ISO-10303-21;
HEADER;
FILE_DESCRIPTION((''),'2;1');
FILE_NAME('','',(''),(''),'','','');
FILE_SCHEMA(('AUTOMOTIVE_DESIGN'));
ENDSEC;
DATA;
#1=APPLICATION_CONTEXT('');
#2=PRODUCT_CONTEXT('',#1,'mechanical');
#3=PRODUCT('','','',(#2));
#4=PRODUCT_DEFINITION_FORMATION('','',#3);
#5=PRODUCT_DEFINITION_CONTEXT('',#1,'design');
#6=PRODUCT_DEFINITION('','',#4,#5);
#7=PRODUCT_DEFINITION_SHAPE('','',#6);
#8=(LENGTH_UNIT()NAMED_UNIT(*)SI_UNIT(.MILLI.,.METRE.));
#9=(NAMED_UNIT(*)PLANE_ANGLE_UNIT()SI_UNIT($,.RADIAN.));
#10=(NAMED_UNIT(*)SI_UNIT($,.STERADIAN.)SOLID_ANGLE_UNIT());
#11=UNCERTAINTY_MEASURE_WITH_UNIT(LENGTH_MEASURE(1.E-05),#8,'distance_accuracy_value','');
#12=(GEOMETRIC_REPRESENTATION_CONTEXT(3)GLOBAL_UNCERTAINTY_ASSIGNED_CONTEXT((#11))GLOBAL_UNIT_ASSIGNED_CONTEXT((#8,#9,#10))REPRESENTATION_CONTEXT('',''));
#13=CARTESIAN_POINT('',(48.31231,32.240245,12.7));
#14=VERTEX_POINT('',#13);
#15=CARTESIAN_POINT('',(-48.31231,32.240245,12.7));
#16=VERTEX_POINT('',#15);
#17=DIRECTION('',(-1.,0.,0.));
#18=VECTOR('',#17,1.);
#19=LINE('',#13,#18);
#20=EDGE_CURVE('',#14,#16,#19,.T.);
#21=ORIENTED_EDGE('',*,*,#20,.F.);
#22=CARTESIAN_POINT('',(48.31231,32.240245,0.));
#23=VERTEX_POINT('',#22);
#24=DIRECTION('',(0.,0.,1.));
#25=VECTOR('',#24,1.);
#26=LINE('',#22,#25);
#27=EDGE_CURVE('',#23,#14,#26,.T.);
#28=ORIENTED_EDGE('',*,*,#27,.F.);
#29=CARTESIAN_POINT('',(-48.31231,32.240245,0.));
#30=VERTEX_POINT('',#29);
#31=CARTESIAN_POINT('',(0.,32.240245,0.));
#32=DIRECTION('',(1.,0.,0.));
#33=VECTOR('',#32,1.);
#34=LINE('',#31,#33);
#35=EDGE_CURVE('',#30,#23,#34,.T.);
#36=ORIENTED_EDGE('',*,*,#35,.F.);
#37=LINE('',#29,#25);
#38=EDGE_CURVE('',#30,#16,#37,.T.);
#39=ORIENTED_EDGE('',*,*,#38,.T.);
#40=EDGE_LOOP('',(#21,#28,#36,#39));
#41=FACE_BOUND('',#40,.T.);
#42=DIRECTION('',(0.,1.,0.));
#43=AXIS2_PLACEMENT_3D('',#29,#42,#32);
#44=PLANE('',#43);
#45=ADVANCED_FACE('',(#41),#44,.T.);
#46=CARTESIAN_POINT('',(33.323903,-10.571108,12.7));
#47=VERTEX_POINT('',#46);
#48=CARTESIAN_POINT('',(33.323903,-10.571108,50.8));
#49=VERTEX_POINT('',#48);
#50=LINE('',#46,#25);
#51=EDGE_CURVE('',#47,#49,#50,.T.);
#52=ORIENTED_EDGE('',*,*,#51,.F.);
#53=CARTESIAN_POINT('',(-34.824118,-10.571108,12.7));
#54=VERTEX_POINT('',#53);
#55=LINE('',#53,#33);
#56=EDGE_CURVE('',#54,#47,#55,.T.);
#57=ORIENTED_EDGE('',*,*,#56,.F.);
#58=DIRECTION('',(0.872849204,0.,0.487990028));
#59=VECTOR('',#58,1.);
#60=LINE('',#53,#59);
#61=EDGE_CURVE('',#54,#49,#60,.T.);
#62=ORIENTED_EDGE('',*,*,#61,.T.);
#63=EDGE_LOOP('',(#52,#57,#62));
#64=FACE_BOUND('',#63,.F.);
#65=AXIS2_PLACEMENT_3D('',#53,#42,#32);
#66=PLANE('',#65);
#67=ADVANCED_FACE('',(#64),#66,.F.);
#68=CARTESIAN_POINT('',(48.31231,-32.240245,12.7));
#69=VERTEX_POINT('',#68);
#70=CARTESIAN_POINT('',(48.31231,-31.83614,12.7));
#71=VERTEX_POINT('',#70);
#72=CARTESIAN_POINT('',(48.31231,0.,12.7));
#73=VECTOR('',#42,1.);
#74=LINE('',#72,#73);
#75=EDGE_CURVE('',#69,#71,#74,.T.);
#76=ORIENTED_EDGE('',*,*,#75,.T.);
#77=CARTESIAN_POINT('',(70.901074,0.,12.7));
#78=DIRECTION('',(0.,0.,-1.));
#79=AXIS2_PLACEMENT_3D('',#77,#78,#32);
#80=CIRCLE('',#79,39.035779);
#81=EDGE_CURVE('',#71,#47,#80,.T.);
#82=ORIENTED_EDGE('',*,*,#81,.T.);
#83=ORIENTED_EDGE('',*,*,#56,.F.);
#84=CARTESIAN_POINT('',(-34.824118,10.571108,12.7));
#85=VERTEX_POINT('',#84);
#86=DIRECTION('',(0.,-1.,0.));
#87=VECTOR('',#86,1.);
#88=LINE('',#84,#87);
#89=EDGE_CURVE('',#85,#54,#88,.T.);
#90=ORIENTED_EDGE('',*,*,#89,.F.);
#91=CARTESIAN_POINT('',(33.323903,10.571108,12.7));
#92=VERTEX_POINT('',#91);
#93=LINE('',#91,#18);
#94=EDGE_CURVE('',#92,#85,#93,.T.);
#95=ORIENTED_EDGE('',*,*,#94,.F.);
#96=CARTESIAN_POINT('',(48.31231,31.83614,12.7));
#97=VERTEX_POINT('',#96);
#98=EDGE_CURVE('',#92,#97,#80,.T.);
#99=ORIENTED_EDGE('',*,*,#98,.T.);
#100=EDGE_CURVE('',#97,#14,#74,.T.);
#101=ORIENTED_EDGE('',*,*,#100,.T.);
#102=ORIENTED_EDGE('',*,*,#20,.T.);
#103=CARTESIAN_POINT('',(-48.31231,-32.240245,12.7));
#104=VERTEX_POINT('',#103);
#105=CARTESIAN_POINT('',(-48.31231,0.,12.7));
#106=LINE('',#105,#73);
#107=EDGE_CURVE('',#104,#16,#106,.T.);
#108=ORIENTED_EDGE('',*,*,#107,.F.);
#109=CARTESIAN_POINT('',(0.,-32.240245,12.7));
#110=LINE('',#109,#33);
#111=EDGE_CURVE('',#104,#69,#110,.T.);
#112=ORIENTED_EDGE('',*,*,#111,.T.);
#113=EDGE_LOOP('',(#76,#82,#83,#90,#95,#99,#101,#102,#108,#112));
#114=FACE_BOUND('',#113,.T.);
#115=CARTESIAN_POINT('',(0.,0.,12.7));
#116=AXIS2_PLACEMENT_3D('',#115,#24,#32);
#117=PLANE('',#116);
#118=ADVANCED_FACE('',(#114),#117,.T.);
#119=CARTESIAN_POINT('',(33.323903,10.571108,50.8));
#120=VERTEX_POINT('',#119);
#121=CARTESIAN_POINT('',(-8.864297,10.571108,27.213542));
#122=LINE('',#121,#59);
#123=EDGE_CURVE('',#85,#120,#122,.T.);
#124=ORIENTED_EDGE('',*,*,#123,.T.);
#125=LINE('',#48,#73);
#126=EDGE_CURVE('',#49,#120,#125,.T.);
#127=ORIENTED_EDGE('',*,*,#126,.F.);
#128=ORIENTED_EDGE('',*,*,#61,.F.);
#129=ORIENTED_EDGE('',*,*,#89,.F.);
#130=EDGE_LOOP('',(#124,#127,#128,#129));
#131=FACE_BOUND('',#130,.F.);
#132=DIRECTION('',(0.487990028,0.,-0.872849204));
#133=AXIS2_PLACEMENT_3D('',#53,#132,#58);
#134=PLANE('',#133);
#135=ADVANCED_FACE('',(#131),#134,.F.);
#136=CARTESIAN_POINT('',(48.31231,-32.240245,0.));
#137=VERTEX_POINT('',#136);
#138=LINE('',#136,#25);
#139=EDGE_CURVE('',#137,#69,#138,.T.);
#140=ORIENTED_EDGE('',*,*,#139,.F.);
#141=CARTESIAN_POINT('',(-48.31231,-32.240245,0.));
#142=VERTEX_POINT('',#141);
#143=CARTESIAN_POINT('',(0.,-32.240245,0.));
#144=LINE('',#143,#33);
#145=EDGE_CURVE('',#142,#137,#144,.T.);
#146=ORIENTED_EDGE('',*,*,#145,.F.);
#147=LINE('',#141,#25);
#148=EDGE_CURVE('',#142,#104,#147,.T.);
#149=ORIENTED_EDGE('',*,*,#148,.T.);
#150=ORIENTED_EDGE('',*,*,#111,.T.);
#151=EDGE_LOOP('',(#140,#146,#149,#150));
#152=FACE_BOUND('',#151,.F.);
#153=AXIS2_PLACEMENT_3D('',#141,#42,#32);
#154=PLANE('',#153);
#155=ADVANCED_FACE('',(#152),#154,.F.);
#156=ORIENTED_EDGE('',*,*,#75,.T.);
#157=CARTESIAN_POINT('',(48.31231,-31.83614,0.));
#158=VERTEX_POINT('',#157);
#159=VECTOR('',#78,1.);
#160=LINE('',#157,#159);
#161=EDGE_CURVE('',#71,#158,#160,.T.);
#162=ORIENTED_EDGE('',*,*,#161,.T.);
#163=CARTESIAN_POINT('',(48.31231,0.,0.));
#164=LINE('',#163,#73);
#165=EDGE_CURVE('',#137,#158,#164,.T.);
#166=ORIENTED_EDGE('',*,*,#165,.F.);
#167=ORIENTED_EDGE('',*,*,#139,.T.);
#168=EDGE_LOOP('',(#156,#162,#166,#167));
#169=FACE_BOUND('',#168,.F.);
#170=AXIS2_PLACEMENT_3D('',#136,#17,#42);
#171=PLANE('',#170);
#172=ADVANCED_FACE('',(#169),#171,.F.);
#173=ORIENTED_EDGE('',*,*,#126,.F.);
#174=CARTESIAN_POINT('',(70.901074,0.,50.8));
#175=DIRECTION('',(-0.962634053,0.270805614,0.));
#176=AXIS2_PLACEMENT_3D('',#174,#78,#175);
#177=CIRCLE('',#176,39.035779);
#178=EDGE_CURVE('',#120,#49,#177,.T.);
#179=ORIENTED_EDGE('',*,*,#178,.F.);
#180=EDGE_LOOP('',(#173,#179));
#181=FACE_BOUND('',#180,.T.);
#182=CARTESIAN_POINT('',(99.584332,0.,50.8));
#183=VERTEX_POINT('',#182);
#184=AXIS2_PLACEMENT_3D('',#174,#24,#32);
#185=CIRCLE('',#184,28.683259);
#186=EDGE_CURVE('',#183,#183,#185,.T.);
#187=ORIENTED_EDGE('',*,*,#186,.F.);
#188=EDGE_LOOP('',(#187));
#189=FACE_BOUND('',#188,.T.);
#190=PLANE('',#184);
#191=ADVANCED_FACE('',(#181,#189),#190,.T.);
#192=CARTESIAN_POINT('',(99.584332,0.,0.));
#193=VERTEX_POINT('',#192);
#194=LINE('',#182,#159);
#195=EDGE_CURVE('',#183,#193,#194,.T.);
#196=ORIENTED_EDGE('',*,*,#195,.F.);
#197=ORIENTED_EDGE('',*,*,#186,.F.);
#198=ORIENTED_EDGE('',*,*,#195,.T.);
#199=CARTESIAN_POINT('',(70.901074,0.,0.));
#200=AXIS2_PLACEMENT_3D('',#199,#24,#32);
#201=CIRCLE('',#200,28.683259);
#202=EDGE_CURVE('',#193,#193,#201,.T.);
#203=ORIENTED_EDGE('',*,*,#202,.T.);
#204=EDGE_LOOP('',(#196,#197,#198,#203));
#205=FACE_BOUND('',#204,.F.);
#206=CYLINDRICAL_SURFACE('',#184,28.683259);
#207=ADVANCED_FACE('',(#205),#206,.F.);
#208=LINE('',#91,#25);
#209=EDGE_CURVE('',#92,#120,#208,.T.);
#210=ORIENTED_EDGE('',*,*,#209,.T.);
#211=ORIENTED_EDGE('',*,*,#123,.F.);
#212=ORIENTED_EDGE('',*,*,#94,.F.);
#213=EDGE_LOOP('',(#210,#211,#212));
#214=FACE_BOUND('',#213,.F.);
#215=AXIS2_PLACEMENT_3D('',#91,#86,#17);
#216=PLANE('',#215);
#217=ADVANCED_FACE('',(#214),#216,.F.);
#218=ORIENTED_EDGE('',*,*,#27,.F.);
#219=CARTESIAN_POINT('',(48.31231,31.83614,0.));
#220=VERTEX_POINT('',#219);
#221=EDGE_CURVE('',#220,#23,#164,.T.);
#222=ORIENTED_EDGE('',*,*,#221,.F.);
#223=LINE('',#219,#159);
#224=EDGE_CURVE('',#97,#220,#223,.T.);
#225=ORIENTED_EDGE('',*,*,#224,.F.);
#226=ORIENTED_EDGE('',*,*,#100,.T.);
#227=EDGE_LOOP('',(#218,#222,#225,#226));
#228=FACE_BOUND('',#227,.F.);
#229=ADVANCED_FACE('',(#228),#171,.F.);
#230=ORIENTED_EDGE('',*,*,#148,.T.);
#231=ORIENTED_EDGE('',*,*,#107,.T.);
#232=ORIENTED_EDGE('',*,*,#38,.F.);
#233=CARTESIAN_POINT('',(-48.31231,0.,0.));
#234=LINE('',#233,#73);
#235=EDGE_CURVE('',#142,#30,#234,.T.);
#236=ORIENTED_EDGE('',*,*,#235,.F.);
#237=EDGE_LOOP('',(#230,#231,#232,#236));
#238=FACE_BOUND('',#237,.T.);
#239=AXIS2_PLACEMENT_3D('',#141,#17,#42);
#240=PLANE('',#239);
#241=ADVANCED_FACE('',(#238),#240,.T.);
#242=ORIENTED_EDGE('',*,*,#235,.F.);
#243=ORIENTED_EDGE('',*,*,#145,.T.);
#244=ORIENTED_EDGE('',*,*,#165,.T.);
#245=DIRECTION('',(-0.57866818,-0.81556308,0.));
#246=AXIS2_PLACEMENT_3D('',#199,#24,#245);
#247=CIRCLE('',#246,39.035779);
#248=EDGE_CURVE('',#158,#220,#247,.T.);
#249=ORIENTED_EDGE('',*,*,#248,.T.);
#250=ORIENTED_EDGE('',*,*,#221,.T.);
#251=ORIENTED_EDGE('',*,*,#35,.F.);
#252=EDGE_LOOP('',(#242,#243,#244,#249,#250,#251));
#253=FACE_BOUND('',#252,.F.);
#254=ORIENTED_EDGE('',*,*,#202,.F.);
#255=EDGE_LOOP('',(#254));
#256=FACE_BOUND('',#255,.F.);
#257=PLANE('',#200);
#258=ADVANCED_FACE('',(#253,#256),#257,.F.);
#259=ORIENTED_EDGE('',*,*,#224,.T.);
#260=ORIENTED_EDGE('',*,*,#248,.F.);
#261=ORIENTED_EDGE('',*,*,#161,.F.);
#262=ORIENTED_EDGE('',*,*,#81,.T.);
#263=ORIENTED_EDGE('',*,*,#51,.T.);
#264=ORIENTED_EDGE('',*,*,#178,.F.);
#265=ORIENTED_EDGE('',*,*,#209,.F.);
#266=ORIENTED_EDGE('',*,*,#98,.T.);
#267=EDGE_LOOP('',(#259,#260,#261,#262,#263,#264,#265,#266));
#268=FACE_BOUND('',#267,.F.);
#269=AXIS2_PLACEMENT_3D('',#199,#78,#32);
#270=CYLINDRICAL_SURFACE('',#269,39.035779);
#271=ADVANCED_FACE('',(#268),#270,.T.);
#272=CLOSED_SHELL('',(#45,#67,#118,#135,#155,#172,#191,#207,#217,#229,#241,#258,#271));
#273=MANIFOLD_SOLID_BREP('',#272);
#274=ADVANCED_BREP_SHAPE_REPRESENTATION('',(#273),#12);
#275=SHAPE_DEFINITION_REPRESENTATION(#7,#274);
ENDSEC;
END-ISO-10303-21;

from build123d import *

# Parameters (mm, degrees)
F0_W     = 96.6246202588
F0_H     = 64.4804909825
F1_DEPTH = 12.7
F2_R     = 39.0357793673
F3_DEPTH = 50.8
F4_R     = 28.6832588226
F5_DEPTH = 94.996
F7_DEPTH = 38.1
F9_DEPTH = 72.898


with BuildPart() as f1:
    # F0 (on Top) → F1 (new body)
    with BuildSketch(Plane.XY):
        Rectangle(F0_W, F0_H)
    extrude(amount=F1_DEPTH)

    # F2 (on Top) → F3 (join)
    with BuildSketch(Plane.XY):
        with Locations((70.9010735154, 0)):
            Circle(F2_R)
    extrude(amount=F3_DEPTH)

    # F4 (on face) → F5 (cut)
    with BuildSketch(Plane.XY.offset(50.8)):
        with Locations((70.9010735154, 0)):
            Circle(F4_R)
    extrude(amount=-F5_DEPTH, mode=Mode.SUBTRACT)

    # F6 (on face) → F7 (join)
    with BuildSketch(Plane.XY.offset(12.7)):
        with BuildLine():
            Line((33.3239030226, 10.5711081997), (-34.8241180182, 10.5711081997))
            Line((-34.8241180182, 10.5711081997), (-34.8241180182, -10.5711081997))
            Line((-34.8241180182, -10.5711081997), (33.3239030226, -10.5711081997))
            ThreePointArc((33.3239030226, -10.5711081997), (31.8652941481, 0), (33.3239030226, 10.5711081997))
        make_face()
    extrude(amount=F7_DEPTH)

    # F8 (on face) → F9 (cut)
    with BuildSketch(Plane.XZ.offset(10.5711081997)):
        Polygon((-34.8241180182, 12.7), (33.3239030226, 50.8), (-34.8241180182, 50.8), align=None)
    extrude(amount=-F9_DEPTH, mode=Mode.SUBTRACT)


solid = f1.part
